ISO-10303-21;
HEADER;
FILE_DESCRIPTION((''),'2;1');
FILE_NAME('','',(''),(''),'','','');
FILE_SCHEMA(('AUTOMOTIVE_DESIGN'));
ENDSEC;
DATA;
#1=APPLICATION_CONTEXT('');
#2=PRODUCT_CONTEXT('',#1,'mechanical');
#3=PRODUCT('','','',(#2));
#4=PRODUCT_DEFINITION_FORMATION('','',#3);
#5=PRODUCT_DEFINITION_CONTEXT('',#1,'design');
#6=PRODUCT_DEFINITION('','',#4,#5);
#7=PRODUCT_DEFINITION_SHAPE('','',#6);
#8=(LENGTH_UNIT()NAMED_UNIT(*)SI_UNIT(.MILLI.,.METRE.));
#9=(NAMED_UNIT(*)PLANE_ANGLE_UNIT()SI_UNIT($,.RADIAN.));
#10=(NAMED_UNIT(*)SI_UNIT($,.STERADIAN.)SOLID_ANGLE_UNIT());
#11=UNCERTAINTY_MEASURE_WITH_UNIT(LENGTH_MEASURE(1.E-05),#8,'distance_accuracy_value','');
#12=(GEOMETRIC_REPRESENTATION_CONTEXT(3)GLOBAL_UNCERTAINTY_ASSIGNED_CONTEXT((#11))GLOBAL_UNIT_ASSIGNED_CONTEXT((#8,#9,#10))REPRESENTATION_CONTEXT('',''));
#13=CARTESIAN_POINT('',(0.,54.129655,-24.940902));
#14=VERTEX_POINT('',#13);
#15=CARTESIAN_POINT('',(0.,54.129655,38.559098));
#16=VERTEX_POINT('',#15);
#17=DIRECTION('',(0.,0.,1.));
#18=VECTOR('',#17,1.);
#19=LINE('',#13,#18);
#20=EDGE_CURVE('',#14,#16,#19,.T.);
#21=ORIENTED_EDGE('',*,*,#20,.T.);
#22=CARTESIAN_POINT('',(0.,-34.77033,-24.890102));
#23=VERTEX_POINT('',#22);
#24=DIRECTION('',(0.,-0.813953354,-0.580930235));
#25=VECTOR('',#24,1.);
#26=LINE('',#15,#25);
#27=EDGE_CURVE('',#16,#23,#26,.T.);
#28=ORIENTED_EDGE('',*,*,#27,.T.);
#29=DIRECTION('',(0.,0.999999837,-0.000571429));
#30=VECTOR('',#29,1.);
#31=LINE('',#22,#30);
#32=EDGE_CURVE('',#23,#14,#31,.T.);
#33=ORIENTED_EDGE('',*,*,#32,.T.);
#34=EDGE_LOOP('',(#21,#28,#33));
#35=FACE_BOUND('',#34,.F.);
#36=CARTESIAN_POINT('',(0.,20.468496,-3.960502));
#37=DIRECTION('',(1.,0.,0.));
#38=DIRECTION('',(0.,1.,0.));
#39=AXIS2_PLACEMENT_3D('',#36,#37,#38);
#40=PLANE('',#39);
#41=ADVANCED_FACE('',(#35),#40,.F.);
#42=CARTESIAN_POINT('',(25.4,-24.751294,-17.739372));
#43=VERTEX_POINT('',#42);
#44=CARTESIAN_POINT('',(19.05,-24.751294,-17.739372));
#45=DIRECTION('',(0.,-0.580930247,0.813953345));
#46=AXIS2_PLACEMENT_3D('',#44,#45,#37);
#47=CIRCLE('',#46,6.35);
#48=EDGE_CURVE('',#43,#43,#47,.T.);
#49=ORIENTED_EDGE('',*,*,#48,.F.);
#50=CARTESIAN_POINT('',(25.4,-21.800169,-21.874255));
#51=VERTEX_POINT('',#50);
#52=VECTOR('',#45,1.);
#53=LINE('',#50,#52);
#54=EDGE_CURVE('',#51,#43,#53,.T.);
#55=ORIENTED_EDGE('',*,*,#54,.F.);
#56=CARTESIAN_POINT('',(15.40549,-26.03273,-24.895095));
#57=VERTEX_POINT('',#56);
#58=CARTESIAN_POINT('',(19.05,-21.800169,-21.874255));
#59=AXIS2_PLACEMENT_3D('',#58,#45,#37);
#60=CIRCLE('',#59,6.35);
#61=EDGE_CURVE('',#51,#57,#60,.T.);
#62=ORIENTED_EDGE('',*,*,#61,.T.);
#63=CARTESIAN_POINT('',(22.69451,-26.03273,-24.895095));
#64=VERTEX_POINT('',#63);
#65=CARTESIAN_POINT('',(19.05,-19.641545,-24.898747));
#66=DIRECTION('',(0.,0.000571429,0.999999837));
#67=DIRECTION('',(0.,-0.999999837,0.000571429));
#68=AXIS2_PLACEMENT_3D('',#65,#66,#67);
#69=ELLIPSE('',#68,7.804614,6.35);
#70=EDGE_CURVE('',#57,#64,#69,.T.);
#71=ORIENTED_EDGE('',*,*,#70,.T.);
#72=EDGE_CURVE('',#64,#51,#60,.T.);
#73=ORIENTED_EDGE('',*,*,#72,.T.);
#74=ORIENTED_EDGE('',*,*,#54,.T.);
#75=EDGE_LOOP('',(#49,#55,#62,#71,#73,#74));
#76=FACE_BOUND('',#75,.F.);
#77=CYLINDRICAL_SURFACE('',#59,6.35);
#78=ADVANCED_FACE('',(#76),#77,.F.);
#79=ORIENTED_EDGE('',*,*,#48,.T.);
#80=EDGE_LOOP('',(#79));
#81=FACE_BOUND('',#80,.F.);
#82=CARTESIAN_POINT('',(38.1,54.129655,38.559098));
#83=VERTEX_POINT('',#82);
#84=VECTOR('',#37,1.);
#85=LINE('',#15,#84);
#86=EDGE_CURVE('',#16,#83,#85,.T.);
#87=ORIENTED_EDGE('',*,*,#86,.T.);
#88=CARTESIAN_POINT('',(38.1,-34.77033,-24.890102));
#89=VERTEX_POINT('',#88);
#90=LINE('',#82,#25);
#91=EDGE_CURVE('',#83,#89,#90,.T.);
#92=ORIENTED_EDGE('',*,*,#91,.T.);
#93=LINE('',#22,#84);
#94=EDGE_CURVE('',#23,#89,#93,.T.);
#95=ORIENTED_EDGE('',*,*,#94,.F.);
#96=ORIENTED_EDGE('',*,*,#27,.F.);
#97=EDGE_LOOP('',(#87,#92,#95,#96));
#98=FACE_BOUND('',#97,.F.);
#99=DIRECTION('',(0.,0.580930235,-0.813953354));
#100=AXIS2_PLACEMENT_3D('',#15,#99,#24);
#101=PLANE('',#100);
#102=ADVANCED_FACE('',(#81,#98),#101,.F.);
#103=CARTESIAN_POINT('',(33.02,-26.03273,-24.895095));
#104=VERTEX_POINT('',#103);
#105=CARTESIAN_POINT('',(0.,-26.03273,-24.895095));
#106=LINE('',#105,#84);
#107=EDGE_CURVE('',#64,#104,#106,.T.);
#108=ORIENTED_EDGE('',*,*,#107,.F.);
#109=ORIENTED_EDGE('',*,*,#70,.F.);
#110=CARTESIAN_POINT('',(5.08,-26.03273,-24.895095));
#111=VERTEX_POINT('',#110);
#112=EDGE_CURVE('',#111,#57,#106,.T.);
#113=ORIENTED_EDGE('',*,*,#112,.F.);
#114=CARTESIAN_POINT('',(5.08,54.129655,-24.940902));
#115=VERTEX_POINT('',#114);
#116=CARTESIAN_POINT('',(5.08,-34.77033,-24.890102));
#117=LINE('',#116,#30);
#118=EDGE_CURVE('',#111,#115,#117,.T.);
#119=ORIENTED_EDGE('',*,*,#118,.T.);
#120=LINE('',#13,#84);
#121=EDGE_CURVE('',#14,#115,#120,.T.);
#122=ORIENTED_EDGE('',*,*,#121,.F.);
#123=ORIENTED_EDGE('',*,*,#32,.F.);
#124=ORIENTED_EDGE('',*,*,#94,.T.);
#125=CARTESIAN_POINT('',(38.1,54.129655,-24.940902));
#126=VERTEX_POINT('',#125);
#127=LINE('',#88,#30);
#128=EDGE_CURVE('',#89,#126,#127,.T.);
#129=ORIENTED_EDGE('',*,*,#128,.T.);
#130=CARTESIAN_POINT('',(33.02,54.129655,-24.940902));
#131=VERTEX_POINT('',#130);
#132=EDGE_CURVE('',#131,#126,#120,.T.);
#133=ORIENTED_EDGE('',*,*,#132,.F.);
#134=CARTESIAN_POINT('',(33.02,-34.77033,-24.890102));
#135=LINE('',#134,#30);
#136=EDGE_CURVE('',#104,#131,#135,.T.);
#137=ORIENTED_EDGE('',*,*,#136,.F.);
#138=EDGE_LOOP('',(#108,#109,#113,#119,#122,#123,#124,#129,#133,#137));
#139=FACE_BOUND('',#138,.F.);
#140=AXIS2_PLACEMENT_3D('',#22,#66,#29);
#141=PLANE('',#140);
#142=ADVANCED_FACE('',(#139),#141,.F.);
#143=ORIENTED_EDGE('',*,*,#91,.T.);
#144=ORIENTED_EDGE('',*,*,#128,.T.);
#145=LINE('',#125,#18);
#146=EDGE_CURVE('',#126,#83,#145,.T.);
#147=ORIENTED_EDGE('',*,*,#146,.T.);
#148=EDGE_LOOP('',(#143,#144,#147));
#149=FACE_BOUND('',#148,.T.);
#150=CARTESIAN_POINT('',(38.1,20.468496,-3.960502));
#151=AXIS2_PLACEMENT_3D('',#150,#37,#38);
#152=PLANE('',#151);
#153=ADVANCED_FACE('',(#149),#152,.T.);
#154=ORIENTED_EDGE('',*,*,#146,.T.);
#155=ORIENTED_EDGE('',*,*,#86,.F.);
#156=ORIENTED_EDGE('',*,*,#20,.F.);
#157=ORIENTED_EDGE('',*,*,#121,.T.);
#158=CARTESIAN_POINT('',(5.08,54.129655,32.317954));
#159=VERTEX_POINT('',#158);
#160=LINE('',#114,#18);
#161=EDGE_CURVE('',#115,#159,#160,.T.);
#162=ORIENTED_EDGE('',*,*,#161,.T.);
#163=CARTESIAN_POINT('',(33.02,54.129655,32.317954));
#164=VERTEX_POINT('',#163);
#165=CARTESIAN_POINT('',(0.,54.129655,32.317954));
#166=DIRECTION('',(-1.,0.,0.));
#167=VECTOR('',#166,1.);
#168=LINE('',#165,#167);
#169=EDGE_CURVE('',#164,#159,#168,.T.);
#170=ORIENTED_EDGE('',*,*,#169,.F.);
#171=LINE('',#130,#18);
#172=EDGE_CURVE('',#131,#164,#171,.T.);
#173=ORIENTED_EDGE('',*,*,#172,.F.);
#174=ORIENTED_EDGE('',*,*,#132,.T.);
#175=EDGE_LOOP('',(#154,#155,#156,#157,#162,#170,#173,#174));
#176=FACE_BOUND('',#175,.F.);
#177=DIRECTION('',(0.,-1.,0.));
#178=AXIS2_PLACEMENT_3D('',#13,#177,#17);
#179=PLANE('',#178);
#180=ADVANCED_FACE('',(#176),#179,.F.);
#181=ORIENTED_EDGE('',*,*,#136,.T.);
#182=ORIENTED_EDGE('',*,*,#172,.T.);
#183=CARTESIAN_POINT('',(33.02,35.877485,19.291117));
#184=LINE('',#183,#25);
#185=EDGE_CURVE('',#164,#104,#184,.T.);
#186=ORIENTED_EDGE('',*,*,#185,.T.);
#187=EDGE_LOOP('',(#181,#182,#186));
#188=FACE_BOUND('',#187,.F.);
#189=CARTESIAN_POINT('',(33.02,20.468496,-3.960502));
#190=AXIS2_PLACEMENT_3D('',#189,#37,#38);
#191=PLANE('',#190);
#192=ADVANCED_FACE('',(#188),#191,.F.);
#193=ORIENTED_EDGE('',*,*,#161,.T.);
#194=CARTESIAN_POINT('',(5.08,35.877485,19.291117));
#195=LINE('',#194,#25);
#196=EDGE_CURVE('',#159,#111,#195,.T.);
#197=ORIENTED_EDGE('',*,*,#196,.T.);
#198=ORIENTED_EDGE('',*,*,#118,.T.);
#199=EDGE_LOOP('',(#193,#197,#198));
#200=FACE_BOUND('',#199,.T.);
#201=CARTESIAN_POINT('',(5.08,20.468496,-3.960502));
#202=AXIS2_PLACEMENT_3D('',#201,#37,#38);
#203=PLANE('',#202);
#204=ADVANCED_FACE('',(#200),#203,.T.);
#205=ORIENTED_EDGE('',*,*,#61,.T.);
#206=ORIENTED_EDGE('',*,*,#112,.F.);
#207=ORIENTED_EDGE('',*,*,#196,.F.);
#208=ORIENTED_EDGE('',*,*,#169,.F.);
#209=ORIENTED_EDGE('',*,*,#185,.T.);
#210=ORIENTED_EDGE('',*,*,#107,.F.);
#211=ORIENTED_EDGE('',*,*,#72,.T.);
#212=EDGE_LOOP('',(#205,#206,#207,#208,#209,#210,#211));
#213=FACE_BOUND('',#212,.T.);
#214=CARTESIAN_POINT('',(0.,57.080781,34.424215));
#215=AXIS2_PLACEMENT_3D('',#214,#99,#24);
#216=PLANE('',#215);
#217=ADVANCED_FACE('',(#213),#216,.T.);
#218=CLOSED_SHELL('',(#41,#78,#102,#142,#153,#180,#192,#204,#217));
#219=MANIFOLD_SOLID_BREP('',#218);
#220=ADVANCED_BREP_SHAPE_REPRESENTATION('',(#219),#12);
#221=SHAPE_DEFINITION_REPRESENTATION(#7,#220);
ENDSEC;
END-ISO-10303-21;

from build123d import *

# Parameters (mm, degrees)
F1_DEPTH       = 38.1
F2_T           = -5.08
F4_D           = 6.35
F4_CBORE_D     = 12.7
F4_CBORE_DEPTH = 5.08


with BuildPart() as f1:
    # F0 (on Right) → F1 (new body)
    with BuildSketch(Plane.YZ):
        Polygon((54.129655, 38.559098), (-34.77033, -24.890102), (54.129655, -24.940902), align=None)
    extrude(amount=F1_DEPTH)

    # F2
    f2_openings = [f1.faces().sort_by_distance(p)[0] for p in [
        (19.05, 9.679663, -24.915502),
        (19.05, 54.129655, 6.809098),
    ]]
    offset(amount=F2_T, openings=f2_openings)

    # F4 (through all)
    with Locations(Plane(origin=(0, 0.034999, -0.049037), x_dir=(1, 0, 0), z_dir=(0, -0.58093, 0.813953))):
        with Locations((19.05, -30.451737)):
            CounterBoreHole(F4_D / 2, F4_CBORE_D / 2, F4_CBORE_DEPTH)


solid = f1.part
